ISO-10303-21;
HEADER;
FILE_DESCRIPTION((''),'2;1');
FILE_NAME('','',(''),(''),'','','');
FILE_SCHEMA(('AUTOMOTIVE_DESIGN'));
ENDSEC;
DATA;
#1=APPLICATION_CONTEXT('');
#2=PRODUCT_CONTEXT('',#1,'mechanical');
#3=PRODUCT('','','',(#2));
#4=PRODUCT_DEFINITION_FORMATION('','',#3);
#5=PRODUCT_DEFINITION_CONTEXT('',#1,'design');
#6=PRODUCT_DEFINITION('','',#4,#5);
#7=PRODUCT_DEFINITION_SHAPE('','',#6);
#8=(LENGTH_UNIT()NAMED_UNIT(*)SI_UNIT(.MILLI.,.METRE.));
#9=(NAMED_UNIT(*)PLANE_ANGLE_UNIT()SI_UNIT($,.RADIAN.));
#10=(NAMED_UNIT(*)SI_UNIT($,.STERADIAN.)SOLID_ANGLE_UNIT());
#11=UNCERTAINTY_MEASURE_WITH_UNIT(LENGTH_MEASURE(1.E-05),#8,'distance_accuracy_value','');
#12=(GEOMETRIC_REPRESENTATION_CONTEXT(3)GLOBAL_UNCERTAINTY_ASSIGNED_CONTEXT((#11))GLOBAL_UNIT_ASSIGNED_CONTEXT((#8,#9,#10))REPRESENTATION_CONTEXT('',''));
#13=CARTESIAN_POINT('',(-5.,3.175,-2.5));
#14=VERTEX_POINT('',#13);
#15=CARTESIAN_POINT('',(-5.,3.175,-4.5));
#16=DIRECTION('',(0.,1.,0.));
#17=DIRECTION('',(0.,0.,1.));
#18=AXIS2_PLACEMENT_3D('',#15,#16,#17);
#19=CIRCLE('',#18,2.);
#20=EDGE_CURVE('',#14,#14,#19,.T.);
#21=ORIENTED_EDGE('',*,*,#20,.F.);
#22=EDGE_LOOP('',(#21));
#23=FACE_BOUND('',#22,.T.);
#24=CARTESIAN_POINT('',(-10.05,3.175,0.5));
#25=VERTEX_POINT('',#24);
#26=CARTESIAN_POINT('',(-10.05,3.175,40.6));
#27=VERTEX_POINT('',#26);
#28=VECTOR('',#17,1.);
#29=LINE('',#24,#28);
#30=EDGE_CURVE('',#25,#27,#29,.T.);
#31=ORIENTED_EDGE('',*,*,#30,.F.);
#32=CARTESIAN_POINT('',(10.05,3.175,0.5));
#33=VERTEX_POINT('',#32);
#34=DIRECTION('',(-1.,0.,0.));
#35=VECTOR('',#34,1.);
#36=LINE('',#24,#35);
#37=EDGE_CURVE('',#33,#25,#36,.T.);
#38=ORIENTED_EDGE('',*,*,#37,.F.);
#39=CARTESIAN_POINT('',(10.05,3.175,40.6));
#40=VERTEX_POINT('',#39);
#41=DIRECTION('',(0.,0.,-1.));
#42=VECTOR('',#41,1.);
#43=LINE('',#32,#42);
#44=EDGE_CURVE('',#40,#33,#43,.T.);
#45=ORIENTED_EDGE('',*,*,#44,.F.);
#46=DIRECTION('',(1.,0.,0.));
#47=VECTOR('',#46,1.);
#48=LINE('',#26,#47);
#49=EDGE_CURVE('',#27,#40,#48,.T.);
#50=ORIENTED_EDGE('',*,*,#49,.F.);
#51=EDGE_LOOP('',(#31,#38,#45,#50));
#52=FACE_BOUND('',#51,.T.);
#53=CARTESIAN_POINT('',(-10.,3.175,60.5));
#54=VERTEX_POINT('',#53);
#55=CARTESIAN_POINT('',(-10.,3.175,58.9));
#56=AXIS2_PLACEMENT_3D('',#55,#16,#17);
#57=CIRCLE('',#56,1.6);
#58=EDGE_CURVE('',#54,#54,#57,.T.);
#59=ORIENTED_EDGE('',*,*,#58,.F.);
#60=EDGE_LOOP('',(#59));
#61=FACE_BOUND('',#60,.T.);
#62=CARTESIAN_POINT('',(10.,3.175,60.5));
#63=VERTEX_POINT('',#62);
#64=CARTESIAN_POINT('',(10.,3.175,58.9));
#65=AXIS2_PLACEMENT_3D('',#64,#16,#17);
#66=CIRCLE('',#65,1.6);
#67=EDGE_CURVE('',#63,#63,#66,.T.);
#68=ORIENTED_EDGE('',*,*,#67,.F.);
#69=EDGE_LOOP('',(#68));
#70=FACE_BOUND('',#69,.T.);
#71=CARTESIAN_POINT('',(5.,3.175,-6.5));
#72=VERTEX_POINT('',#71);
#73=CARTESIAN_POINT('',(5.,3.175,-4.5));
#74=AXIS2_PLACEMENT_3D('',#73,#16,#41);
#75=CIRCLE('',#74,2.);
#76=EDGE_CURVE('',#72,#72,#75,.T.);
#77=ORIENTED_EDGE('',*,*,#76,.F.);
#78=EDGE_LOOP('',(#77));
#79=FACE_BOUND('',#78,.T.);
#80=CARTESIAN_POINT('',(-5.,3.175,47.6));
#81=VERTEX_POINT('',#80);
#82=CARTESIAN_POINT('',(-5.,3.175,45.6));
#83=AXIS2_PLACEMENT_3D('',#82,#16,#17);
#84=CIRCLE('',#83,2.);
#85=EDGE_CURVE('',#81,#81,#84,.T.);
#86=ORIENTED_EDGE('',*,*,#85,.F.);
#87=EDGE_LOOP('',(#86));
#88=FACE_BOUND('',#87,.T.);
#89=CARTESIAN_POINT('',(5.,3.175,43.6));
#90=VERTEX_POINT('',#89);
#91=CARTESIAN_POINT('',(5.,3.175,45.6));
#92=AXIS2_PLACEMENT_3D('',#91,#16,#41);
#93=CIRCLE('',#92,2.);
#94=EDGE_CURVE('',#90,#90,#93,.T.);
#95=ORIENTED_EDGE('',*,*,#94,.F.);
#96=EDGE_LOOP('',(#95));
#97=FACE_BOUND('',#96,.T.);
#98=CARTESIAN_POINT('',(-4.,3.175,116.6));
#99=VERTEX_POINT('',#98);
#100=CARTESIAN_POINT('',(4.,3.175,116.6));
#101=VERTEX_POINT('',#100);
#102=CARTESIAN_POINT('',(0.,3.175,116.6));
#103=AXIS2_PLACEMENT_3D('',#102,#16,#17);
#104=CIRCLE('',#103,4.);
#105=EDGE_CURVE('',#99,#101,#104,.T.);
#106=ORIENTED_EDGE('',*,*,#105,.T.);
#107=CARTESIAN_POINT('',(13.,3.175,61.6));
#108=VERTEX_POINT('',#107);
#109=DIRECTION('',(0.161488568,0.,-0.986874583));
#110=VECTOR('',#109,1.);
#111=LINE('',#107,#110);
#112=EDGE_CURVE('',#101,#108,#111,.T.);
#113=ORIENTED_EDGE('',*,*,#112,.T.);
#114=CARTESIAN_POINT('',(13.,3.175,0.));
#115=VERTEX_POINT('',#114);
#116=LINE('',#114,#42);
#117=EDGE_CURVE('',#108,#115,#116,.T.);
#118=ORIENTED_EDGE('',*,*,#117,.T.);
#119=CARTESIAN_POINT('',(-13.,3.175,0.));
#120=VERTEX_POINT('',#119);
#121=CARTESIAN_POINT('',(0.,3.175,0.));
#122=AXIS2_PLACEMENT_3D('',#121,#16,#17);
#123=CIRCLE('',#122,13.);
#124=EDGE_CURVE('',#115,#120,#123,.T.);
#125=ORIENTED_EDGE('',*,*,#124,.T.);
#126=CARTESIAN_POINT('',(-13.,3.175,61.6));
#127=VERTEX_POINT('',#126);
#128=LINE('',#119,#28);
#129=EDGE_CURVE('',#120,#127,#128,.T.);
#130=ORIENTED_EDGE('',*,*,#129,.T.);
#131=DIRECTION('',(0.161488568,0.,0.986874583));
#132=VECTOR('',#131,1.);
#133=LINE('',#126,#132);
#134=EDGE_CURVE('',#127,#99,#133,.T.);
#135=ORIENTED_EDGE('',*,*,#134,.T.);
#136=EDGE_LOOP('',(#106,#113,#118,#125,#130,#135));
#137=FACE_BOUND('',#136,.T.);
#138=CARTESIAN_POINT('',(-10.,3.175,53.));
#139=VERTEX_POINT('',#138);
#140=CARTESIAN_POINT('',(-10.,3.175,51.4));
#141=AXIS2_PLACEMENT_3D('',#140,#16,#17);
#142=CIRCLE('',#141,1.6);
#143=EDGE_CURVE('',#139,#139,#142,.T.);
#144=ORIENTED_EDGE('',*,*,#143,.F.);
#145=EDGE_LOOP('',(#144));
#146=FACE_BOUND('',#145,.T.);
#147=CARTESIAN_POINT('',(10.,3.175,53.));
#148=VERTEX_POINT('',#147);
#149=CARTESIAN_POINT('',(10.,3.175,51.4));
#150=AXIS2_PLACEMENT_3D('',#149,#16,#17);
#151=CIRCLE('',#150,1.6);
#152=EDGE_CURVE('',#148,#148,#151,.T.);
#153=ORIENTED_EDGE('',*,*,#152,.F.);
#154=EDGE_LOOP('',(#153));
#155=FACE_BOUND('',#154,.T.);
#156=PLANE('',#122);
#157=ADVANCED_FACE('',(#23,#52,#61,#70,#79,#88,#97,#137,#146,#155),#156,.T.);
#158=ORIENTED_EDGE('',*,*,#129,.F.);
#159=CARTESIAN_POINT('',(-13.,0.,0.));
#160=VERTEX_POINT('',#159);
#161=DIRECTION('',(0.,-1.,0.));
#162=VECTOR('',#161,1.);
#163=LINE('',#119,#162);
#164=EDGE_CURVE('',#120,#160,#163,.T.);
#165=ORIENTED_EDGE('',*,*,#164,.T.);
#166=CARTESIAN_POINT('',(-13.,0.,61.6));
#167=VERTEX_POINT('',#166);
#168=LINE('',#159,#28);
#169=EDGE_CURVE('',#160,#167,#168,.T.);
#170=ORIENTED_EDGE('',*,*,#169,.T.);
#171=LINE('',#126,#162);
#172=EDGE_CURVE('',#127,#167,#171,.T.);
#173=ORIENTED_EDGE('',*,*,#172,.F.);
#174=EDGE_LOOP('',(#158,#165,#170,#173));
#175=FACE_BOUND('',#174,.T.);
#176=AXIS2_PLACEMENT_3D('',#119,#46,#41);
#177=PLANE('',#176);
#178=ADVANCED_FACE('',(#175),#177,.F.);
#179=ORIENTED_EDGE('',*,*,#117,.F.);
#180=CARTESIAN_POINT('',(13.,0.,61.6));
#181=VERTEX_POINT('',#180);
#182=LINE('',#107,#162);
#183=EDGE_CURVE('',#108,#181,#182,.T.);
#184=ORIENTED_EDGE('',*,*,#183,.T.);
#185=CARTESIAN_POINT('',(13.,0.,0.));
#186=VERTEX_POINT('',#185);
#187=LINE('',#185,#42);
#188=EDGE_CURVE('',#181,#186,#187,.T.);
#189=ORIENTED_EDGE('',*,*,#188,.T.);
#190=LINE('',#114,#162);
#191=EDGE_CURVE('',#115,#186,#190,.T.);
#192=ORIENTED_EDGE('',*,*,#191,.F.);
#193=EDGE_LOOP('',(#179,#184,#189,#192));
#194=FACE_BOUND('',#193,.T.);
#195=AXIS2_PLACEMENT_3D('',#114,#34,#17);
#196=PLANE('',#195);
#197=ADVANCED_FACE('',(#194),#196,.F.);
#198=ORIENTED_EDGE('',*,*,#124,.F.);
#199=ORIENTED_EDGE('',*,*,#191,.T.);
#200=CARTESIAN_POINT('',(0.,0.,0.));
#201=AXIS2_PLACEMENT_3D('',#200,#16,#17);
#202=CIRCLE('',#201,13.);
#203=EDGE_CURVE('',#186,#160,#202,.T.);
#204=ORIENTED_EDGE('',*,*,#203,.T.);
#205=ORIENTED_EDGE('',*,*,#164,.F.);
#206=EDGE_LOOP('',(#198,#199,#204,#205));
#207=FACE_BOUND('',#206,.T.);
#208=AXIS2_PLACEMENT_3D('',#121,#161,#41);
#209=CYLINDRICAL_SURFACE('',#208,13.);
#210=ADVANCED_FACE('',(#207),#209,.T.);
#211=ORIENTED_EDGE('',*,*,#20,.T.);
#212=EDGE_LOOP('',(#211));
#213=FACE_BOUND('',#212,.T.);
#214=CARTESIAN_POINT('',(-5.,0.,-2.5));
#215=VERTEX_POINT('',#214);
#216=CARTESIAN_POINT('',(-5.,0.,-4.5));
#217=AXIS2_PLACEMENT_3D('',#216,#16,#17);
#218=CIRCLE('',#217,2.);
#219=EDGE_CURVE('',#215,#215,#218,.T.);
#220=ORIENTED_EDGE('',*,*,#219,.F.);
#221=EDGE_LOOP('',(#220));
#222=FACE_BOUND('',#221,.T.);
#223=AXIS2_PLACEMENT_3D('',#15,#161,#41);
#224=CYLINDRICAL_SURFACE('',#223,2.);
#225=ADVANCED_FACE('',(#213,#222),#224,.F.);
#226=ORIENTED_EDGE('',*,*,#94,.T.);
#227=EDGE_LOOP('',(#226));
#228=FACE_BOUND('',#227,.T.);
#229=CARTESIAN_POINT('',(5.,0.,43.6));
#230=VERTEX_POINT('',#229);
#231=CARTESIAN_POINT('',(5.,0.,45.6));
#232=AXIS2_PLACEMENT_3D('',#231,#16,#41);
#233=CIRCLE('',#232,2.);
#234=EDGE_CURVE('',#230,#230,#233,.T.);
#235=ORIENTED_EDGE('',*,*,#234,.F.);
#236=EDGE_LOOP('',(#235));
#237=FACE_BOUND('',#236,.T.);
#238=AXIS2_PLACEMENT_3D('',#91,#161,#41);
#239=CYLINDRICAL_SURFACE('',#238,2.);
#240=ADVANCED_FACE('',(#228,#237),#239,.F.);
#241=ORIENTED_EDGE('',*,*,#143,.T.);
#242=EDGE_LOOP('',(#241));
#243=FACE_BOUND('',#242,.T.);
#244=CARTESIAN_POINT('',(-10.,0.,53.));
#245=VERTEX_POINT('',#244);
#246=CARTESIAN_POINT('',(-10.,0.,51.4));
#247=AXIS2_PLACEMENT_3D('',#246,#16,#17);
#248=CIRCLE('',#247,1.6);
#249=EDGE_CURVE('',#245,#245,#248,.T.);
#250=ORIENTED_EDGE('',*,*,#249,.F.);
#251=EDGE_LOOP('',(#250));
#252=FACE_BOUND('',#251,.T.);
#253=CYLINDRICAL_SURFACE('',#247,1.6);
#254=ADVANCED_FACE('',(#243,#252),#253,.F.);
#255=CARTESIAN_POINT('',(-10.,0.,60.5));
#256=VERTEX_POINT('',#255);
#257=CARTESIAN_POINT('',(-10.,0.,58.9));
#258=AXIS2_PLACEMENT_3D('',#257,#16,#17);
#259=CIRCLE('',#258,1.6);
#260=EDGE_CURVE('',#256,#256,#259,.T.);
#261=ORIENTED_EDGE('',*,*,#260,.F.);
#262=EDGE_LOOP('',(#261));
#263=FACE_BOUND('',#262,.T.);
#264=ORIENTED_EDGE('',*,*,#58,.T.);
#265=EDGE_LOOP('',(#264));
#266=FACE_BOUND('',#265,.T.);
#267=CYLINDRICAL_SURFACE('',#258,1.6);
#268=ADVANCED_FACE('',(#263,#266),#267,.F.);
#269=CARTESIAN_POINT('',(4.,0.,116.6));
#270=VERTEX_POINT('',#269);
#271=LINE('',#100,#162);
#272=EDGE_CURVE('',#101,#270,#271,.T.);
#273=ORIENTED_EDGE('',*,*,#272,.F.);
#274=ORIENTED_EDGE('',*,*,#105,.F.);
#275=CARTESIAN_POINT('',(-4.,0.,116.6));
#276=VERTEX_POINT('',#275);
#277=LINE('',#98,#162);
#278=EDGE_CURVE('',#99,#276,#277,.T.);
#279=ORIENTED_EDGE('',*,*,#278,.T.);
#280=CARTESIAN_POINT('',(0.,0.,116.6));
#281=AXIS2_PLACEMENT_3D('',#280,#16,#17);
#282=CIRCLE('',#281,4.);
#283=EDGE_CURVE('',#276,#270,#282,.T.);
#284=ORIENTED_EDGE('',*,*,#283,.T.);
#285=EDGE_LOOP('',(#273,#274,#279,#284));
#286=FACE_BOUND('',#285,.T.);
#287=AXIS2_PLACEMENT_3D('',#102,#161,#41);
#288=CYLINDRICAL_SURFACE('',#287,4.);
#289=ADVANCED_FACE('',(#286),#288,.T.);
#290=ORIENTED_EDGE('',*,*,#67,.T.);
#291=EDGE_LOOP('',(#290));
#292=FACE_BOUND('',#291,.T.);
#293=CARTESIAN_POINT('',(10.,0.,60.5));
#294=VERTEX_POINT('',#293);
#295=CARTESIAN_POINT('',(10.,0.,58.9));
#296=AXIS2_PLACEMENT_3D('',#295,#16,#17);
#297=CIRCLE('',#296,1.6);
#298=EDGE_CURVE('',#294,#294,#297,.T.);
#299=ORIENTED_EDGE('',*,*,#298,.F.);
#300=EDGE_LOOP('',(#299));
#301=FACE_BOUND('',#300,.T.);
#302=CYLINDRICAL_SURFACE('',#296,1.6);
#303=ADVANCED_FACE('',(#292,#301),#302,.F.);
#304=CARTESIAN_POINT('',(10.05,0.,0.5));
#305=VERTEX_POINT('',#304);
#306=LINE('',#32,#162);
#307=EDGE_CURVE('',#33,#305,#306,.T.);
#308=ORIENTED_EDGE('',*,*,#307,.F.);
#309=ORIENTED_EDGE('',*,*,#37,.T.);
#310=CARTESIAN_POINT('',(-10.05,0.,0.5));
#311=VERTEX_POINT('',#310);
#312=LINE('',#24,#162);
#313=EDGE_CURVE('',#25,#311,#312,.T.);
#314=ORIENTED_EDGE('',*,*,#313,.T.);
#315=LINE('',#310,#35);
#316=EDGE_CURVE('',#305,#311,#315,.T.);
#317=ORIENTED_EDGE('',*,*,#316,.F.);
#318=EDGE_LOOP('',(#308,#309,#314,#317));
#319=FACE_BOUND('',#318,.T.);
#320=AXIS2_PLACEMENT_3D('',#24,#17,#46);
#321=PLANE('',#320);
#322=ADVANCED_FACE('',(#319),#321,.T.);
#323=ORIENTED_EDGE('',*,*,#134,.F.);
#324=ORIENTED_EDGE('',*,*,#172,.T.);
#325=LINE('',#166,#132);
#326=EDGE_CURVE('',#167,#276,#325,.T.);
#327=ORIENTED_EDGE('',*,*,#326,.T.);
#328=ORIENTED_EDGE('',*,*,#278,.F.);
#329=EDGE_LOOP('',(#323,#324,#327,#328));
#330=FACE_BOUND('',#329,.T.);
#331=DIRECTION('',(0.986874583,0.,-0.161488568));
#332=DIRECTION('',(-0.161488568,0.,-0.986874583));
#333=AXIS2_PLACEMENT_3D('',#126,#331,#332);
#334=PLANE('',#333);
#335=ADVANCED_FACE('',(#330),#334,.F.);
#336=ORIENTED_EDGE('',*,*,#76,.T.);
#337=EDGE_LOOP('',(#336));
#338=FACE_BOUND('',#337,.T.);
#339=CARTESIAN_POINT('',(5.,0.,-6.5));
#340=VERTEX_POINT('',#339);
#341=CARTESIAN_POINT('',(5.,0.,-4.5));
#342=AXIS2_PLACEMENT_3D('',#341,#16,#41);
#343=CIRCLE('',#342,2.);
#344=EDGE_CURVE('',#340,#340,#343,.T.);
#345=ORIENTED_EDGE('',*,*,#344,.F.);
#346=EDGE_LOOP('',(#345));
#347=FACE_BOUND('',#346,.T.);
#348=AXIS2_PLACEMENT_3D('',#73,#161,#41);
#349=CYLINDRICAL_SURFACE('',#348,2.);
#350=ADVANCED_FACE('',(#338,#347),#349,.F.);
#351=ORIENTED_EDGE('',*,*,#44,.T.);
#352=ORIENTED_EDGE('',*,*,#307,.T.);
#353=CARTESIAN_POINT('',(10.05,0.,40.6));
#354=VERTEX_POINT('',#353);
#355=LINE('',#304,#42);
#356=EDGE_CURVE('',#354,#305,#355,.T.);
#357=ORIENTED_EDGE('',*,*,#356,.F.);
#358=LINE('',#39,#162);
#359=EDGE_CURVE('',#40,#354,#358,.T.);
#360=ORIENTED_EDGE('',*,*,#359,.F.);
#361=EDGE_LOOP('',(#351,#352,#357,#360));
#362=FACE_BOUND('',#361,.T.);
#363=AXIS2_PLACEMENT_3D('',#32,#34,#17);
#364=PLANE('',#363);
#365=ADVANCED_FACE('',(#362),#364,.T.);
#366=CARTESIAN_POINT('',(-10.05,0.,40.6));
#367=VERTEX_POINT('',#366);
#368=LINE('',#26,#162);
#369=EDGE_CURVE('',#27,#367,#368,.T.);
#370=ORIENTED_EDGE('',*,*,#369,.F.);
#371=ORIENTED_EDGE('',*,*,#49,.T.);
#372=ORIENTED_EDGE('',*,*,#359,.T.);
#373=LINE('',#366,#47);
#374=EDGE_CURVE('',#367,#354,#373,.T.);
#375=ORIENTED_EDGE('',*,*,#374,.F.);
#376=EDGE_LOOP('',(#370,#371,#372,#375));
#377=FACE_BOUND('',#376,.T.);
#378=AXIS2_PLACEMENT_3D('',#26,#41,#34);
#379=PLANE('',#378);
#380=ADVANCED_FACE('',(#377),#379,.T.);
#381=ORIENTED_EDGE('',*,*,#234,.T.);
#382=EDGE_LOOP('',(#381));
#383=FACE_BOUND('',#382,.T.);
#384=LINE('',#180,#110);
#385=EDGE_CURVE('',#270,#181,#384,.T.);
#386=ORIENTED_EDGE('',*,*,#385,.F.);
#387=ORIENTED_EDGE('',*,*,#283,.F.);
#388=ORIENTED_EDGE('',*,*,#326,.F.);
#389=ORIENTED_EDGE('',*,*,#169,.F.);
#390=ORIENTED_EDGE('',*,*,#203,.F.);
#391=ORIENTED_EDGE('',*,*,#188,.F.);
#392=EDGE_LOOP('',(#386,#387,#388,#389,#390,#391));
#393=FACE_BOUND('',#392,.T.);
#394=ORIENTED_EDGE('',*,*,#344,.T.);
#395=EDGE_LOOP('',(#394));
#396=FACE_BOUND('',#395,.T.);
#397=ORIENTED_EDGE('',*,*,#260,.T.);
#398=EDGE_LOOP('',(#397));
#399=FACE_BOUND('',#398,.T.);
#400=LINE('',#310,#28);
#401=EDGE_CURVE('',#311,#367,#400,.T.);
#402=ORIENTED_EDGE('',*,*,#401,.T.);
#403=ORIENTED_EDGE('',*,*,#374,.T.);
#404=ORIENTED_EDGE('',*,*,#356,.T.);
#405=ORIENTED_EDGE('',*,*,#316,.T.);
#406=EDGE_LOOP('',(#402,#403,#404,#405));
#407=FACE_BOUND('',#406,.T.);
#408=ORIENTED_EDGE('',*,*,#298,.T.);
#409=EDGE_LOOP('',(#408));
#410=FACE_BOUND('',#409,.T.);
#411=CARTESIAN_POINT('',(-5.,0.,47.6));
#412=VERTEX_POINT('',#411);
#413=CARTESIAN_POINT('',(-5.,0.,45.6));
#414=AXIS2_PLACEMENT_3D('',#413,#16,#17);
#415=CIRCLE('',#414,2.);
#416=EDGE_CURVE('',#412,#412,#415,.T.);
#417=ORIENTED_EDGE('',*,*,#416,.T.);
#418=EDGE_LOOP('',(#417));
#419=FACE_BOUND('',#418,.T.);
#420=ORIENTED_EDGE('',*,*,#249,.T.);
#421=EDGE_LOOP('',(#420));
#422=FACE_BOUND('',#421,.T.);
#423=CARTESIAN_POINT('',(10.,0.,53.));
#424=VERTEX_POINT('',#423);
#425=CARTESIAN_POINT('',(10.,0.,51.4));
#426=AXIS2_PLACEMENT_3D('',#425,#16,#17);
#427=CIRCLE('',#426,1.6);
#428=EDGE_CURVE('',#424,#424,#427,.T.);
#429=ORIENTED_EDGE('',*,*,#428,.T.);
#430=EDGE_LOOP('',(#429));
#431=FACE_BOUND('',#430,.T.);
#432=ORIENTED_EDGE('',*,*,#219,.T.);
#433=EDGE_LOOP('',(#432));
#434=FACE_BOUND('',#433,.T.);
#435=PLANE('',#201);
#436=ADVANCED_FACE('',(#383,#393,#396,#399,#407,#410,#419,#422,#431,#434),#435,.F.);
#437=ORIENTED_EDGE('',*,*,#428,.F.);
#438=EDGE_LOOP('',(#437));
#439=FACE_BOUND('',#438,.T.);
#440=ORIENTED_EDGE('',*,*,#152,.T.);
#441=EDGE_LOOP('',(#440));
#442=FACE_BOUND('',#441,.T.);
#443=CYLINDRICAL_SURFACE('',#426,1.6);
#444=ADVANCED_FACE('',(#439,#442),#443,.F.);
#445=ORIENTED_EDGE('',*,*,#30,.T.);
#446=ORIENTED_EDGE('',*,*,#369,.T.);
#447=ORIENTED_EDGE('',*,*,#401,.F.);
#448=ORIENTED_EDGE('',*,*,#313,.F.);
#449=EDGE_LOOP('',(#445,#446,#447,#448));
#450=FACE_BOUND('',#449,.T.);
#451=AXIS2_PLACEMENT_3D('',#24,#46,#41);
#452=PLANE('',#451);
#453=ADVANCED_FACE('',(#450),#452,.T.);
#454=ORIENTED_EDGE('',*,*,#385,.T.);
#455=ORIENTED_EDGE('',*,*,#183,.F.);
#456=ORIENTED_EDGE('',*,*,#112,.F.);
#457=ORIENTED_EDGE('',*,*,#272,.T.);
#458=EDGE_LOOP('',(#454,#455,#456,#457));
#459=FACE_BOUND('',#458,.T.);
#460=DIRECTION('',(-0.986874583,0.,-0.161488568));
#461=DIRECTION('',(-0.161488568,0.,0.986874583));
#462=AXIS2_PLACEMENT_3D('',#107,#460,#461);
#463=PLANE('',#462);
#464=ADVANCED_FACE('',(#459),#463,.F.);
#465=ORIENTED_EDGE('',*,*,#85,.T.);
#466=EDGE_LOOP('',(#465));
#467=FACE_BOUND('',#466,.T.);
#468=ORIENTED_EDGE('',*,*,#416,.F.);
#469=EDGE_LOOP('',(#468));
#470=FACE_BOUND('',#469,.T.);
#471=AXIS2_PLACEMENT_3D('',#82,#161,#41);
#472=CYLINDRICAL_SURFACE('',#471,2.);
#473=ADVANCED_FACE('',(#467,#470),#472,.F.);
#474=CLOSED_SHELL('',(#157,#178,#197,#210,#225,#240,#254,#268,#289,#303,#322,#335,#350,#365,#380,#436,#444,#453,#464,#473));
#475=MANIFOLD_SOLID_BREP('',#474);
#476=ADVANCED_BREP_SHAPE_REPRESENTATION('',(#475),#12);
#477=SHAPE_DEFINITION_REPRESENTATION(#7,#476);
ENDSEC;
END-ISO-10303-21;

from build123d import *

# Parameters (mm, degrees)
SKETCH2_R               = 2
SKETCH2_W               = 20.1
SKETCH2_H               = 40.1
BOSS_EXTRUDE1_DEPTH     = 3.175
CUT_EXTRUDE1_DEPTH      = 122.340185532
CUT_EXTRUDE1_DEPTH_BACK = 122.340185532
SKETCH3_R               = 1.6


with BuildPart() as part:
    # Sketch2 → Boss-Extrude1 (new body)
    with BuildSketch(Plane(origin=(0, 0, 0), x_dir=(1, 0, 0), z_dir=(0, 1, 0))):
        with BuildLine():
            Line((-13, 0), (-13, -61.6))
            Line((-13, -61.6), (-4, -116.6))
            ThreePointArc((-4, -116.6), (0, -120.6), (4, -116.6))
            Line((4, -116.6), (13, -61.6))
            Line((13, -61.6), (13, 0))
            ThreePointArc((13, 0), (0, 13), (-13, 0))
        make_face()
        with Locations(Location((-5, 4.5, 0), (0, 0, 270))):
            Circle(SKETCH2_R, mode=Mode.SUBTRACT)
        with Locations(Location((-5, -45.6, 0), (0, 0, 270))):
            Circle(SKETCH2_R, mode=Mode.SUBTRACT)
        with Locations(Location((5, -45.6, 0), (0, 0, 90))):
            Circle(SKETCH2_R, mode=Mode.SUBTRACT)
        with Locations(Location((5, 4.5, 0), (0, 0, 90))):
            Circle(SKETCH2_R, mode=Mode.SUBTRACT)
        with Locations((0, -20.55)):
            Rectangle(SKETCH2_W, SKETCH2_H, mode=Mode.SUBTRACT)
    extrude(amount=BOSS_EXTRUDE1_DEPTH)

    # Sketch3 → Cut-Extrude1 (cut, two sides: drawn at the far end of the back side and taken through both)
    with BuildSketch(Plane(origin=(0, 3.175, 0), x_dir=(1, 0, 0), z_dir=(0, 1, 0)).offset(-CUT_EXTRUDE1_DEPTH_BACK)):
        with Locations(Location((10, -58.9, 0), (0, 0, 270))):
            Circle(SKETCH3_R)
        with Locations(Location((10, -51.4, 0), (0, 0, 270))):
            Circle(SKETCH3_R)
        with Locations(Location((-10, -58.9, 0), (0, 0, 270))):
            Circle(SKETCH3_R)
        with Locations(Location((-10, -51.4, 0), (0, 0, 270))):
            Circle(SKETCH3_R)
    extrude(amount=CUT_EXTRUDE1_DEPTH + CUT_EXTRUDE1_DEPTH_BACK, mode=Mode.SUBTRACT)


solid = part.part
